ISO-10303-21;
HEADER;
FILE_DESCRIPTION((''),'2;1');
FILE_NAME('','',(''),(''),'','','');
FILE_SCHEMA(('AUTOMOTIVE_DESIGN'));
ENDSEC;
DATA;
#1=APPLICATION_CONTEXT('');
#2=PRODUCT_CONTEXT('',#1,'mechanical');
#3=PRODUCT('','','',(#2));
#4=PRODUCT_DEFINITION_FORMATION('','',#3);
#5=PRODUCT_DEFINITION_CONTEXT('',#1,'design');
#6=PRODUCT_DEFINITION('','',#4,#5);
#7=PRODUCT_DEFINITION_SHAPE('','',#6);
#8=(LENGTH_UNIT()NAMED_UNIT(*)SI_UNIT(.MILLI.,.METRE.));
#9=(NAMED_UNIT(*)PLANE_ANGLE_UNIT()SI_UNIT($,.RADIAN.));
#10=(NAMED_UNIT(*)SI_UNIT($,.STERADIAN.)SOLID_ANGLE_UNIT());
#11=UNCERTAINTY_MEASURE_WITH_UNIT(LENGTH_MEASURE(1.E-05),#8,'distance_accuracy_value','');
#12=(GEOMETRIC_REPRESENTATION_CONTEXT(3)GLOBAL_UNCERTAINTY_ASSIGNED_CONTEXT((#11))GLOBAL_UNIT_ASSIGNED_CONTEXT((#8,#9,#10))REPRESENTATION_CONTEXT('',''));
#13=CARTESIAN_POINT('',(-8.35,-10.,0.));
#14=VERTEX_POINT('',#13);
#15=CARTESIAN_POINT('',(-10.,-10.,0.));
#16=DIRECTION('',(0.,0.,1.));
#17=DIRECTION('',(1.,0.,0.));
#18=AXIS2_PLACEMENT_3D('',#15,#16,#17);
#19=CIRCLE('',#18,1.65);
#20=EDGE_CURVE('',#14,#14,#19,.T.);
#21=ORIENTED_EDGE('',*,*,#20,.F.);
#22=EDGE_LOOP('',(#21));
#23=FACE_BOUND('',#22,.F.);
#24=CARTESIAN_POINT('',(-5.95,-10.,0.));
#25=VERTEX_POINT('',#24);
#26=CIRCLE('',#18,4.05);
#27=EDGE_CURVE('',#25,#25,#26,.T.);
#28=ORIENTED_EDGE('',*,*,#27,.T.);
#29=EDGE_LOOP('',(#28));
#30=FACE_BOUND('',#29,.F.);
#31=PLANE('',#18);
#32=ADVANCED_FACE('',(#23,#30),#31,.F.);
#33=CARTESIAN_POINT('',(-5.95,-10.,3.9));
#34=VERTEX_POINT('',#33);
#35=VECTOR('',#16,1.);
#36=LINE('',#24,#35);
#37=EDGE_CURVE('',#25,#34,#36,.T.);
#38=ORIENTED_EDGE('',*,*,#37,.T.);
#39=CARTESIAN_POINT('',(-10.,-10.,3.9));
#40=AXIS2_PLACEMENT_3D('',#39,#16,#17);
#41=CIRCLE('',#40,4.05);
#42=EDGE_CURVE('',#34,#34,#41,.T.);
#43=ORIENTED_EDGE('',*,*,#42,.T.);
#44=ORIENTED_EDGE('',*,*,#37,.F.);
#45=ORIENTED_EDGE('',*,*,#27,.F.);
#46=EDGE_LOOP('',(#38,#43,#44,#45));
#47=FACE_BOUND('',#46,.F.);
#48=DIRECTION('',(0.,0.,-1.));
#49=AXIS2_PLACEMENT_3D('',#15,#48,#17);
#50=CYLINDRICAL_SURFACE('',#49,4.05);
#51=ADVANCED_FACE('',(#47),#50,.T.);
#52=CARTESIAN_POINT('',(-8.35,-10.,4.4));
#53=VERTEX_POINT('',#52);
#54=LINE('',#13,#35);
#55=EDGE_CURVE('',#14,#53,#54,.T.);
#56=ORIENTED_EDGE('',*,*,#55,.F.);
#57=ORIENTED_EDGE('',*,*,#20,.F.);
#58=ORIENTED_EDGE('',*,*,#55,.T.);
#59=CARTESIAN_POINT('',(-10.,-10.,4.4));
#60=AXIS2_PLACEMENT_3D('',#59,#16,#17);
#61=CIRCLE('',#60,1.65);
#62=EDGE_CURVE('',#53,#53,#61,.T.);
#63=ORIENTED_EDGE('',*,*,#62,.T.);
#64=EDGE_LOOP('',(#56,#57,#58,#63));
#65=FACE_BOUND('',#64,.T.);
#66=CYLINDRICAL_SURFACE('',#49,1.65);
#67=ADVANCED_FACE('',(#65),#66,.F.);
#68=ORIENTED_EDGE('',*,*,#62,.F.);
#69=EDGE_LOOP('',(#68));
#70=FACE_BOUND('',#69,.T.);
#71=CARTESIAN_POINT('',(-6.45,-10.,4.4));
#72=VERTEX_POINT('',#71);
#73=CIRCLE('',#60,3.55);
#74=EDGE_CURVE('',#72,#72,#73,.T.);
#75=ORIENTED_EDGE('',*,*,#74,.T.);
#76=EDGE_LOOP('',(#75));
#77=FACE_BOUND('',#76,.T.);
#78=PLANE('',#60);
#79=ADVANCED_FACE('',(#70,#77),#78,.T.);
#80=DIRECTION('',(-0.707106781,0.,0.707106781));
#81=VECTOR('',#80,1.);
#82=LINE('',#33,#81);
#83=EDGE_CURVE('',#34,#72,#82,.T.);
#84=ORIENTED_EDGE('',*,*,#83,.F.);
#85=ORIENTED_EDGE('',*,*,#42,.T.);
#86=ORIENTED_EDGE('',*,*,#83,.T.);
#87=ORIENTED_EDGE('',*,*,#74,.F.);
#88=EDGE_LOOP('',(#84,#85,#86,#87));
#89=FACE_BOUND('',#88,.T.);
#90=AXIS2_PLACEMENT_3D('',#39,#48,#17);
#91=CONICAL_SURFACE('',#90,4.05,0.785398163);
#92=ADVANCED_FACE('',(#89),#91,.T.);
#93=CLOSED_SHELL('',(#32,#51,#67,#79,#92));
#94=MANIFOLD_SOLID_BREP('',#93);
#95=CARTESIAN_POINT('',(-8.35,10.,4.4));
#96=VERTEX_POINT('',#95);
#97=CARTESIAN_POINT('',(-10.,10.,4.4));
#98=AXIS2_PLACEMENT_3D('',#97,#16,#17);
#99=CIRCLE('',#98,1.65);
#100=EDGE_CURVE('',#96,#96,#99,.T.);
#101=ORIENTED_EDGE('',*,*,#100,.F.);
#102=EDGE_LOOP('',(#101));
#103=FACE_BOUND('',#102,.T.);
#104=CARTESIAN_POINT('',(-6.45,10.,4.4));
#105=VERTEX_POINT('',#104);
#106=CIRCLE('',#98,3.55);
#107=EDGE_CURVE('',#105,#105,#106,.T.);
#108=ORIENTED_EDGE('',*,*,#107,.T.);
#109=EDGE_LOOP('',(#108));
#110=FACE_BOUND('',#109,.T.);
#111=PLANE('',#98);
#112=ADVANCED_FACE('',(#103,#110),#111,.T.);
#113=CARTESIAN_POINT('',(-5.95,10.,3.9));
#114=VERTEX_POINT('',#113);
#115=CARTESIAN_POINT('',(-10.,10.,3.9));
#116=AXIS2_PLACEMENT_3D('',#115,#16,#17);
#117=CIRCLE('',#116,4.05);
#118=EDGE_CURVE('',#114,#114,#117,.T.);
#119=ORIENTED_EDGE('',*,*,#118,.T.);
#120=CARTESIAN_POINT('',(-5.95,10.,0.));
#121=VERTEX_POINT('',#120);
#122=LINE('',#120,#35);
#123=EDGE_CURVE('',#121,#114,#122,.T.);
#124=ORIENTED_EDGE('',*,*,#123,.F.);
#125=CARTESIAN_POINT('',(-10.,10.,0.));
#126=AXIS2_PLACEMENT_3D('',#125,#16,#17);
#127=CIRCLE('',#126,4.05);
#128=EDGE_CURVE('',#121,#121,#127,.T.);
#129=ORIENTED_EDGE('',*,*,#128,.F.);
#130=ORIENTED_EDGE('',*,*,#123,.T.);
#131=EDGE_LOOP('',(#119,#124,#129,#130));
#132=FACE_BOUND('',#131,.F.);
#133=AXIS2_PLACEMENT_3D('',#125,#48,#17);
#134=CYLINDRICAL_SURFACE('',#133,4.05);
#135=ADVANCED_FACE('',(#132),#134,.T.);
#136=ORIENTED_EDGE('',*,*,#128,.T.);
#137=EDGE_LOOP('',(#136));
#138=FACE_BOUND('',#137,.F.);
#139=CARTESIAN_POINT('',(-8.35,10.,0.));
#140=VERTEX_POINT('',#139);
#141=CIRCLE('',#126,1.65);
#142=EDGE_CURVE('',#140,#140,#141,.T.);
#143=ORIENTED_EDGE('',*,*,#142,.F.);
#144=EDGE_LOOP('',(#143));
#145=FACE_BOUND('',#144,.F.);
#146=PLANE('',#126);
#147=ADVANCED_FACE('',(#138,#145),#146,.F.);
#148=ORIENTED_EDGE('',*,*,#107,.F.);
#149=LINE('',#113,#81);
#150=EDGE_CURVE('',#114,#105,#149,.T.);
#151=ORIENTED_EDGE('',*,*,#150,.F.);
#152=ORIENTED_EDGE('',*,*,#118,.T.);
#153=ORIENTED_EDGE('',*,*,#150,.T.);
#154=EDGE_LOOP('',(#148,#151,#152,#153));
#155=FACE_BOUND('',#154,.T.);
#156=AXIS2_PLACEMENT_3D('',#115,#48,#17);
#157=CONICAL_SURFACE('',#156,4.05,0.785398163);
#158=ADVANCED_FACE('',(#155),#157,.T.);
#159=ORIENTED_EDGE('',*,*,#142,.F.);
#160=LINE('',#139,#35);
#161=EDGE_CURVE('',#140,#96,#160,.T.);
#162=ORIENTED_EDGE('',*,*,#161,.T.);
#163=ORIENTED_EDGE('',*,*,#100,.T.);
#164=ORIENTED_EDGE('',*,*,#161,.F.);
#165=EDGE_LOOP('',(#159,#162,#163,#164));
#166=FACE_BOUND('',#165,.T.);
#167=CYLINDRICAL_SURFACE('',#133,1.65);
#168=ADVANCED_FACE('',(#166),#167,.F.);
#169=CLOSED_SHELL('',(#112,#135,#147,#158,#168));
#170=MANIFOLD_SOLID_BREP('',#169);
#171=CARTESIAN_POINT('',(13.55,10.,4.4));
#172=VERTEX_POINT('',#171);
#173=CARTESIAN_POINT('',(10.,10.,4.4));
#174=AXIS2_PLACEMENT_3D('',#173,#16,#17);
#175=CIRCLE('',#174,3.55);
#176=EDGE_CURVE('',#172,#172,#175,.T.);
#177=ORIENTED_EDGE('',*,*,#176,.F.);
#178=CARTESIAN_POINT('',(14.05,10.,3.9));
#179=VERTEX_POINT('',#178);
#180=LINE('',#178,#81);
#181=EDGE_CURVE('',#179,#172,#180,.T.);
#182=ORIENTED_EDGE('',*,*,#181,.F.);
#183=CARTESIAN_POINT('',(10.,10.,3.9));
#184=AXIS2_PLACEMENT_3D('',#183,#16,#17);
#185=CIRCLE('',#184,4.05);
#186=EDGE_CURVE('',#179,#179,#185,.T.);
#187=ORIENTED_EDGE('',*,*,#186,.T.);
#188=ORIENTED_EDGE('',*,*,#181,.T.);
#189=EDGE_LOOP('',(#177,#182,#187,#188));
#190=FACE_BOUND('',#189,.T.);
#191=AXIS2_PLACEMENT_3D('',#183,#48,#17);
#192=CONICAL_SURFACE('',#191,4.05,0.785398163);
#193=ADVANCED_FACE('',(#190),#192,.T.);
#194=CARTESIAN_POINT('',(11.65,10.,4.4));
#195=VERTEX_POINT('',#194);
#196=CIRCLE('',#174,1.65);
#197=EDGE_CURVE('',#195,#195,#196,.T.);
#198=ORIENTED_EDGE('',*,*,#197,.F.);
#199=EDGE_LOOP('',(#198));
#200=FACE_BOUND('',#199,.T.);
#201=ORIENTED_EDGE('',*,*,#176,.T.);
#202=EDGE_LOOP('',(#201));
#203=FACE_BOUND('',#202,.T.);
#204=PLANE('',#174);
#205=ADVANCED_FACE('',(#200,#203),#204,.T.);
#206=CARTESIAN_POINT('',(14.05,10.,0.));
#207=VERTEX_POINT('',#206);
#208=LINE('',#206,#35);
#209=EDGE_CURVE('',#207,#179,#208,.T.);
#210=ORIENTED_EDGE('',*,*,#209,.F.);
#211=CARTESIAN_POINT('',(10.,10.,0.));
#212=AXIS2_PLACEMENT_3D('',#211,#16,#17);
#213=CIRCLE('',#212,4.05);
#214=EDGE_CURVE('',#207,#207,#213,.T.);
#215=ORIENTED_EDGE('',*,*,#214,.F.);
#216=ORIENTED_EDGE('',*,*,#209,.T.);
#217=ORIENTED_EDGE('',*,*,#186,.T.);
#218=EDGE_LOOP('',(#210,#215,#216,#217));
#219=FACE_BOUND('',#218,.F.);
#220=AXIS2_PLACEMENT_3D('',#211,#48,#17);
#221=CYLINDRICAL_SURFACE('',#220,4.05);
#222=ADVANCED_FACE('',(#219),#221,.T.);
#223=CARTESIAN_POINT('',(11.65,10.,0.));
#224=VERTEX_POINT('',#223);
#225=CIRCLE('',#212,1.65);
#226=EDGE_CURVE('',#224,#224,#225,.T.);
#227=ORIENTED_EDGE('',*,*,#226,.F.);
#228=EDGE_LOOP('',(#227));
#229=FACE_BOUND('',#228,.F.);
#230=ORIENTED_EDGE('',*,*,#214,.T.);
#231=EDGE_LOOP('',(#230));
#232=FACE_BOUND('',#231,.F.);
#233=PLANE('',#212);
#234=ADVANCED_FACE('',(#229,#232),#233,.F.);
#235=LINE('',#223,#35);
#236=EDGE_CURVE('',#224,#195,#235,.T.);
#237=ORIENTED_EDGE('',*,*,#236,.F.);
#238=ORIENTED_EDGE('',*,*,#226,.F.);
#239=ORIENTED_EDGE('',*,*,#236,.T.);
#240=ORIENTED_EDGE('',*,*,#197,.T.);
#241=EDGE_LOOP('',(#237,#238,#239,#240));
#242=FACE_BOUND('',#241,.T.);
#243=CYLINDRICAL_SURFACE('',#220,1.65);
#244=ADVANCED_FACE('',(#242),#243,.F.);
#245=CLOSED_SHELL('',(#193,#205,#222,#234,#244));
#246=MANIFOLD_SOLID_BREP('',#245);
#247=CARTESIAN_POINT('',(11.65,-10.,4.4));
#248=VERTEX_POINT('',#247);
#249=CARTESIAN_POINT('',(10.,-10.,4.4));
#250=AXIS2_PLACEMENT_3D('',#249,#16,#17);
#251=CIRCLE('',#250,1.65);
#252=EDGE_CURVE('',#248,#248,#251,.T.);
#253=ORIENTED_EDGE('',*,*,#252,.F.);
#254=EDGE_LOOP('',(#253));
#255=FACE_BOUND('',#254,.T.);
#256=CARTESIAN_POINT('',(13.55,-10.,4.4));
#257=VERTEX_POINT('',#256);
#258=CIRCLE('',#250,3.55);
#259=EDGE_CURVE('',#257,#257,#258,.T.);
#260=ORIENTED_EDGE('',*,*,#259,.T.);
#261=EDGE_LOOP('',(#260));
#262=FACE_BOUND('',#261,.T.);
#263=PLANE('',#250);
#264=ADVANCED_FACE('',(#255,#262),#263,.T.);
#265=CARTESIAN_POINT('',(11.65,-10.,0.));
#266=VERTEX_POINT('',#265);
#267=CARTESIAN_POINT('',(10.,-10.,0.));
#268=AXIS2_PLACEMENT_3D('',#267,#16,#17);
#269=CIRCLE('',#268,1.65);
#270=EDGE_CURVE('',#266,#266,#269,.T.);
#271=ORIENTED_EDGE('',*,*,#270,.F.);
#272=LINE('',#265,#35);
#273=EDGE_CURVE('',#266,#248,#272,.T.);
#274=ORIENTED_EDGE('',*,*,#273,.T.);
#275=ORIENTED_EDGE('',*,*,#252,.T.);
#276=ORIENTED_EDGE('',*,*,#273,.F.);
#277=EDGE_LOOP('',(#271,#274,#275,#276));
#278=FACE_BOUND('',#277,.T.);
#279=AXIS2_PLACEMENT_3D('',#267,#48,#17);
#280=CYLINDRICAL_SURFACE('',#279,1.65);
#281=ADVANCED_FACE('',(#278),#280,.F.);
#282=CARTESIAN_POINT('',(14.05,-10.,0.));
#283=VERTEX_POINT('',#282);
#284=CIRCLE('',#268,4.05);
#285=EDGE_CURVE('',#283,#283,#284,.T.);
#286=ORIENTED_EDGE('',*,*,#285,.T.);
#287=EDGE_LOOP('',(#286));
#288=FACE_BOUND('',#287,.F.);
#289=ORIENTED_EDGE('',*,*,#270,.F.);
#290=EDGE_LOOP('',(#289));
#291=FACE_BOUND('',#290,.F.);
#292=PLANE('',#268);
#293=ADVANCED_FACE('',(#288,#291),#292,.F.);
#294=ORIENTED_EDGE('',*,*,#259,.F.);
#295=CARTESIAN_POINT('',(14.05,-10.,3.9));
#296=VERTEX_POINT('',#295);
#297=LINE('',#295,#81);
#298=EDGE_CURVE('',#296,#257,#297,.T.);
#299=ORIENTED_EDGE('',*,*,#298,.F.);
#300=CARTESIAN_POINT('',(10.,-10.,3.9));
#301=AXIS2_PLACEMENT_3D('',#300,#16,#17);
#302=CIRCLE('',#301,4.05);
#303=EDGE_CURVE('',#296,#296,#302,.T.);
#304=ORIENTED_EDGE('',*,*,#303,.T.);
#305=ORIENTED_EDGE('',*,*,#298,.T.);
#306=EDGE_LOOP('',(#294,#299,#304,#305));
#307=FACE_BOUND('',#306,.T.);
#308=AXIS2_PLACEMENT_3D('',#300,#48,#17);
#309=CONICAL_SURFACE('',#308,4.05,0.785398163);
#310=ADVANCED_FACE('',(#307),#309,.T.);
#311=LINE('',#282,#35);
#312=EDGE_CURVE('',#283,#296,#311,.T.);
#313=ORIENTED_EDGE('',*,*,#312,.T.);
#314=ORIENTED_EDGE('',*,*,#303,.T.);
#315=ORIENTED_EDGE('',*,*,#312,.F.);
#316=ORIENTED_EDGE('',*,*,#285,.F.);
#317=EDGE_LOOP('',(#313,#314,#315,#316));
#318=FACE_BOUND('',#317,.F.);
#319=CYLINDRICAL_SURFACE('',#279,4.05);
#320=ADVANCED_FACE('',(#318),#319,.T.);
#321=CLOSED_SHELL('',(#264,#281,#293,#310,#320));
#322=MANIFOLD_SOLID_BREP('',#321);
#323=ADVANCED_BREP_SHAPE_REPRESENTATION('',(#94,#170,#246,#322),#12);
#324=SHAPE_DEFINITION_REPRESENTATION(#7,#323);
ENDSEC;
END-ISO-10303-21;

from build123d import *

# Parameters (mm, degrees)
F0_R     = 4.05
F0_R_2   = 1.65
F1_DEPTH = 4.4
F2_SIZE  = 0.5


with BuildPart() as f1:
    # F0 (on Top) → F1 (new body)
    with BuildSketch(Plane.XY):
        with Locations((-10, 10)):
            Circle(F0_R)
        with Locations((-10, 10)):
            Circle(F0_R_2, mode=Mode.SUBTRACT)
        with Locations((10, 10)):
            Circle(F0_R)
        with Locations((10, 10)):
            Circle(F0_R_2, mode=Mode.SUBTRACT)
        with Locations((10, -10)):
            Circle(F0_R)
        with Locations((10, -10)):
            Circle(F0_R_2, mode=Mode.SUBTRACT)
        with Locations((-10, -10)):
            Circle(F0_R)
        with Locations((-10, -10)):
            Circle(F0_R_2, mode=Mode.SUBTRACT)
    extrude(amount=F1_DEPTH)

    # F2
    f2_edges = [f1.edges().sort_by_distance(p)[0] for p in [
        (-14.05, 10, 4.4),
        (5.95, 10, 4.4),
        (5.95, -10, 4.4),
        (-14.05, -10, 4.4),
    ]]
    chamfer(f2_edges, length=F2_SIZE)


solid = f1.part
